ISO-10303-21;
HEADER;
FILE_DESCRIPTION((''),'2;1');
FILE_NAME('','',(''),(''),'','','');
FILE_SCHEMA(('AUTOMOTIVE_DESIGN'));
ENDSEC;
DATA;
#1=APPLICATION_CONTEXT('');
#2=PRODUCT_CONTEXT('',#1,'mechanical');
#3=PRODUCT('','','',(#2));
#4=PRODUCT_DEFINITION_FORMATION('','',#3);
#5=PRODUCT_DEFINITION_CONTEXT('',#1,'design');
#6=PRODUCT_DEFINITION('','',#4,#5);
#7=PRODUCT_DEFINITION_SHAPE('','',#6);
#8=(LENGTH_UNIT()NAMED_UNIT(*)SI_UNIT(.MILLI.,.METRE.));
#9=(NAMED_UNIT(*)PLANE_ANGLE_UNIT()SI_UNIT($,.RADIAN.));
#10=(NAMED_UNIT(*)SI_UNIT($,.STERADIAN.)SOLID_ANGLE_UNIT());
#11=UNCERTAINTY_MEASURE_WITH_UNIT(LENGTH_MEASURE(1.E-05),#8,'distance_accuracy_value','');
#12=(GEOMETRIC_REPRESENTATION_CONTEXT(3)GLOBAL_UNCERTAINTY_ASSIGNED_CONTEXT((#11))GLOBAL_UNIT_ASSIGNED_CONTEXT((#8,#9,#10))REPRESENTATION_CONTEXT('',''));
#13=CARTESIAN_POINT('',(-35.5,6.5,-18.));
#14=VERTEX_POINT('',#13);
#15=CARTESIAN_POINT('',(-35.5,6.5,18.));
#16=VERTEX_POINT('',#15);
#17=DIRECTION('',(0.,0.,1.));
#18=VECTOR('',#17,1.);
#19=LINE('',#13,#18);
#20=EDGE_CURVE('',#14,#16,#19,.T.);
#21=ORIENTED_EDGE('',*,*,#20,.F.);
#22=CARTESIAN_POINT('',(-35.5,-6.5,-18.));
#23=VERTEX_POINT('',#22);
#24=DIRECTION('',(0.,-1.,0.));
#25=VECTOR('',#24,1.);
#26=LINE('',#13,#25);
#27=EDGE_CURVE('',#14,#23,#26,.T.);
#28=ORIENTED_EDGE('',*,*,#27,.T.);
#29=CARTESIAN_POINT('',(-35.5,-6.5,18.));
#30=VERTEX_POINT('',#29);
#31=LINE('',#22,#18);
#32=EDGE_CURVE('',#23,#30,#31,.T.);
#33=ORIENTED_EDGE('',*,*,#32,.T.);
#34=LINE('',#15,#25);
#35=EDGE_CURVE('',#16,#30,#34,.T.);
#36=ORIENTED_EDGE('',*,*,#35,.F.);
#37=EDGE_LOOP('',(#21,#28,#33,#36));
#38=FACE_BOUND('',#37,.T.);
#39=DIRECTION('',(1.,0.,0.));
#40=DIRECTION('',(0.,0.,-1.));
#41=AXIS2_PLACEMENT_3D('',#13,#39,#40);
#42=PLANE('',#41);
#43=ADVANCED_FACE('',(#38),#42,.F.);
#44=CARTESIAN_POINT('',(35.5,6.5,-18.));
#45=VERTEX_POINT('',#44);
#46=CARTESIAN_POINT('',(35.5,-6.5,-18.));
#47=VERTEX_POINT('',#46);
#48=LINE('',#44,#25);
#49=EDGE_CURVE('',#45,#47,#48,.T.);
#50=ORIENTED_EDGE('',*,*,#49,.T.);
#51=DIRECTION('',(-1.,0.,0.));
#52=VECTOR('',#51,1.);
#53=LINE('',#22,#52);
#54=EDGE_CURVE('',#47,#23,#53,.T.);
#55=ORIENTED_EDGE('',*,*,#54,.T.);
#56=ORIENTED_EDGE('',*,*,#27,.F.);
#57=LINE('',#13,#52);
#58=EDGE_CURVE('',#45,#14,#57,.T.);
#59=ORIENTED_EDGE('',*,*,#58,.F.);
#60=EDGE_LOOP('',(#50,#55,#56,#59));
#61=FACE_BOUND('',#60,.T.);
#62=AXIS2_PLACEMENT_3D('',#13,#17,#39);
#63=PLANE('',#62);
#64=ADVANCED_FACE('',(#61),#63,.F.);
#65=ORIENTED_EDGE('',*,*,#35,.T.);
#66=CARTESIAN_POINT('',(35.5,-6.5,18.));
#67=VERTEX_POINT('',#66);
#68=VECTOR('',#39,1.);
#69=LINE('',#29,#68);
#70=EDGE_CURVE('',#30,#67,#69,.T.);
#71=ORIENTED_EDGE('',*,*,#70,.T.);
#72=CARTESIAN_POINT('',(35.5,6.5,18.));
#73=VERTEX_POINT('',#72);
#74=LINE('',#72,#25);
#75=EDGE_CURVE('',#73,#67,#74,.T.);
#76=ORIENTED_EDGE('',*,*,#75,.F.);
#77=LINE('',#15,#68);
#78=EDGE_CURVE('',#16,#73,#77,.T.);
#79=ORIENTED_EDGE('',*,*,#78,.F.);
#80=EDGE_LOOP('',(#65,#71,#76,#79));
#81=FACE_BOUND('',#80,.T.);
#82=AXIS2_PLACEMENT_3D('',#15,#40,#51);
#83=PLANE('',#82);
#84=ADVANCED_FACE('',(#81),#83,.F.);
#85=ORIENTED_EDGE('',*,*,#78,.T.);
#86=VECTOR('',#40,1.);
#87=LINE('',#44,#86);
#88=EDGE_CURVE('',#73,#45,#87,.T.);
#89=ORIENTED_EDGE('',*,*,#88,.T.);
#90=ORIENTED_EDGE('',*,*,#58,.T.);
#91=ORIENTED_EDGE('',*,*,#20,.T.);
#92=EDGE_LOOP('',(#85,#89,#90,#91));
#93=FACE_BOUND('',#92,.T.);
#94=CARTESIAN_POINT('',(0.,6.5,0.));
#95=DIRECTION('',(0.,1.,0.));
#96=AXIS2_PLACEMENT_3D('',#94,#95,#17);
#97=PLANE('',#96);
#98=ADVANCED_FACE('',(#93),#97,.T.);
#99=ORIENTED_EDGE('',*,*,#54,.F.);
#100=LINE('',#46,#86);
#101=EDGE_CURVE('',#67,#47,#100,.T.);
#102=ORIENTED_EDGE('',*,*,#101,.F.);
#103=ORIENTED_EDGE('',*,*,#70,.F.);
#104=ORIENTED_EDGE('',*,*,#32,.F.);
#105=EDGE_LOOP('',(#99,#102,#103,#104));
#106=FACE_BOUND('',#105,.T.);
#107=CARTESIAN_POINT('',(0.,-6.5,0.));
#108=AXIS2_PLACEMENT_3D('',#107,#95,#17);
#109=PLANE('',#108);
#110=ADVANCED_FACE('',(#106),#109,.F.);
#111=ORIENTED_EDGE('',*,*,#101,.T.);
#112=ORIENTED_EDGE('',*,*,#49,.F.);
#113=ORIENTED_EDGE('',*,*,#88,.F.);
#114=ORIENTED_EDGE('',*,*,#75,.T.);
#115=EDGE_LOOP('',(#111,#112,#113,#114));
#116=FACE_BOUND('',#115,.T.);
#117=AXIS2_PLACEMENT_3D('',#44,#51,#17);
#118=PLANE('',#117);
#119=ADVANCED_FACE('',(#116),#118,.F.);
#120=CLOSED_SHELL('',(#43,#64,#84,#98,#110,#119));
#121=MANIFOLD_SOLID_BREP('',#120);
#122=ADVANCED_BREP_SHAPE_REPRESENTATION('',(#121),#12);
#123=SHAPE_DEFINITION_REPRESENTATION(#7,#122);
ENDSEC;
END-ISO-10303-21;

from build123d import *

# Parameters (mm, degrees)
SKETCH1_W           = 71
SKETCH1_H           = 36
BOSS_EXTRUDE1_DEPTH = 6.5


with BuildPart() as part:
    # Sketch1 → Boss-Extrude1 (new body, symmetric)
    with BuildSketch(Plane(origin=(0, 0, 0), x_dir=(1, 0, 0), z_dir=(0, 1, 0))):
        Rectangle(SKETCH1_W, SKETCH1_H)
    extrude(amount=BOSS_EXTRUDE1_DEPTH, both=True)


solid = part.part
